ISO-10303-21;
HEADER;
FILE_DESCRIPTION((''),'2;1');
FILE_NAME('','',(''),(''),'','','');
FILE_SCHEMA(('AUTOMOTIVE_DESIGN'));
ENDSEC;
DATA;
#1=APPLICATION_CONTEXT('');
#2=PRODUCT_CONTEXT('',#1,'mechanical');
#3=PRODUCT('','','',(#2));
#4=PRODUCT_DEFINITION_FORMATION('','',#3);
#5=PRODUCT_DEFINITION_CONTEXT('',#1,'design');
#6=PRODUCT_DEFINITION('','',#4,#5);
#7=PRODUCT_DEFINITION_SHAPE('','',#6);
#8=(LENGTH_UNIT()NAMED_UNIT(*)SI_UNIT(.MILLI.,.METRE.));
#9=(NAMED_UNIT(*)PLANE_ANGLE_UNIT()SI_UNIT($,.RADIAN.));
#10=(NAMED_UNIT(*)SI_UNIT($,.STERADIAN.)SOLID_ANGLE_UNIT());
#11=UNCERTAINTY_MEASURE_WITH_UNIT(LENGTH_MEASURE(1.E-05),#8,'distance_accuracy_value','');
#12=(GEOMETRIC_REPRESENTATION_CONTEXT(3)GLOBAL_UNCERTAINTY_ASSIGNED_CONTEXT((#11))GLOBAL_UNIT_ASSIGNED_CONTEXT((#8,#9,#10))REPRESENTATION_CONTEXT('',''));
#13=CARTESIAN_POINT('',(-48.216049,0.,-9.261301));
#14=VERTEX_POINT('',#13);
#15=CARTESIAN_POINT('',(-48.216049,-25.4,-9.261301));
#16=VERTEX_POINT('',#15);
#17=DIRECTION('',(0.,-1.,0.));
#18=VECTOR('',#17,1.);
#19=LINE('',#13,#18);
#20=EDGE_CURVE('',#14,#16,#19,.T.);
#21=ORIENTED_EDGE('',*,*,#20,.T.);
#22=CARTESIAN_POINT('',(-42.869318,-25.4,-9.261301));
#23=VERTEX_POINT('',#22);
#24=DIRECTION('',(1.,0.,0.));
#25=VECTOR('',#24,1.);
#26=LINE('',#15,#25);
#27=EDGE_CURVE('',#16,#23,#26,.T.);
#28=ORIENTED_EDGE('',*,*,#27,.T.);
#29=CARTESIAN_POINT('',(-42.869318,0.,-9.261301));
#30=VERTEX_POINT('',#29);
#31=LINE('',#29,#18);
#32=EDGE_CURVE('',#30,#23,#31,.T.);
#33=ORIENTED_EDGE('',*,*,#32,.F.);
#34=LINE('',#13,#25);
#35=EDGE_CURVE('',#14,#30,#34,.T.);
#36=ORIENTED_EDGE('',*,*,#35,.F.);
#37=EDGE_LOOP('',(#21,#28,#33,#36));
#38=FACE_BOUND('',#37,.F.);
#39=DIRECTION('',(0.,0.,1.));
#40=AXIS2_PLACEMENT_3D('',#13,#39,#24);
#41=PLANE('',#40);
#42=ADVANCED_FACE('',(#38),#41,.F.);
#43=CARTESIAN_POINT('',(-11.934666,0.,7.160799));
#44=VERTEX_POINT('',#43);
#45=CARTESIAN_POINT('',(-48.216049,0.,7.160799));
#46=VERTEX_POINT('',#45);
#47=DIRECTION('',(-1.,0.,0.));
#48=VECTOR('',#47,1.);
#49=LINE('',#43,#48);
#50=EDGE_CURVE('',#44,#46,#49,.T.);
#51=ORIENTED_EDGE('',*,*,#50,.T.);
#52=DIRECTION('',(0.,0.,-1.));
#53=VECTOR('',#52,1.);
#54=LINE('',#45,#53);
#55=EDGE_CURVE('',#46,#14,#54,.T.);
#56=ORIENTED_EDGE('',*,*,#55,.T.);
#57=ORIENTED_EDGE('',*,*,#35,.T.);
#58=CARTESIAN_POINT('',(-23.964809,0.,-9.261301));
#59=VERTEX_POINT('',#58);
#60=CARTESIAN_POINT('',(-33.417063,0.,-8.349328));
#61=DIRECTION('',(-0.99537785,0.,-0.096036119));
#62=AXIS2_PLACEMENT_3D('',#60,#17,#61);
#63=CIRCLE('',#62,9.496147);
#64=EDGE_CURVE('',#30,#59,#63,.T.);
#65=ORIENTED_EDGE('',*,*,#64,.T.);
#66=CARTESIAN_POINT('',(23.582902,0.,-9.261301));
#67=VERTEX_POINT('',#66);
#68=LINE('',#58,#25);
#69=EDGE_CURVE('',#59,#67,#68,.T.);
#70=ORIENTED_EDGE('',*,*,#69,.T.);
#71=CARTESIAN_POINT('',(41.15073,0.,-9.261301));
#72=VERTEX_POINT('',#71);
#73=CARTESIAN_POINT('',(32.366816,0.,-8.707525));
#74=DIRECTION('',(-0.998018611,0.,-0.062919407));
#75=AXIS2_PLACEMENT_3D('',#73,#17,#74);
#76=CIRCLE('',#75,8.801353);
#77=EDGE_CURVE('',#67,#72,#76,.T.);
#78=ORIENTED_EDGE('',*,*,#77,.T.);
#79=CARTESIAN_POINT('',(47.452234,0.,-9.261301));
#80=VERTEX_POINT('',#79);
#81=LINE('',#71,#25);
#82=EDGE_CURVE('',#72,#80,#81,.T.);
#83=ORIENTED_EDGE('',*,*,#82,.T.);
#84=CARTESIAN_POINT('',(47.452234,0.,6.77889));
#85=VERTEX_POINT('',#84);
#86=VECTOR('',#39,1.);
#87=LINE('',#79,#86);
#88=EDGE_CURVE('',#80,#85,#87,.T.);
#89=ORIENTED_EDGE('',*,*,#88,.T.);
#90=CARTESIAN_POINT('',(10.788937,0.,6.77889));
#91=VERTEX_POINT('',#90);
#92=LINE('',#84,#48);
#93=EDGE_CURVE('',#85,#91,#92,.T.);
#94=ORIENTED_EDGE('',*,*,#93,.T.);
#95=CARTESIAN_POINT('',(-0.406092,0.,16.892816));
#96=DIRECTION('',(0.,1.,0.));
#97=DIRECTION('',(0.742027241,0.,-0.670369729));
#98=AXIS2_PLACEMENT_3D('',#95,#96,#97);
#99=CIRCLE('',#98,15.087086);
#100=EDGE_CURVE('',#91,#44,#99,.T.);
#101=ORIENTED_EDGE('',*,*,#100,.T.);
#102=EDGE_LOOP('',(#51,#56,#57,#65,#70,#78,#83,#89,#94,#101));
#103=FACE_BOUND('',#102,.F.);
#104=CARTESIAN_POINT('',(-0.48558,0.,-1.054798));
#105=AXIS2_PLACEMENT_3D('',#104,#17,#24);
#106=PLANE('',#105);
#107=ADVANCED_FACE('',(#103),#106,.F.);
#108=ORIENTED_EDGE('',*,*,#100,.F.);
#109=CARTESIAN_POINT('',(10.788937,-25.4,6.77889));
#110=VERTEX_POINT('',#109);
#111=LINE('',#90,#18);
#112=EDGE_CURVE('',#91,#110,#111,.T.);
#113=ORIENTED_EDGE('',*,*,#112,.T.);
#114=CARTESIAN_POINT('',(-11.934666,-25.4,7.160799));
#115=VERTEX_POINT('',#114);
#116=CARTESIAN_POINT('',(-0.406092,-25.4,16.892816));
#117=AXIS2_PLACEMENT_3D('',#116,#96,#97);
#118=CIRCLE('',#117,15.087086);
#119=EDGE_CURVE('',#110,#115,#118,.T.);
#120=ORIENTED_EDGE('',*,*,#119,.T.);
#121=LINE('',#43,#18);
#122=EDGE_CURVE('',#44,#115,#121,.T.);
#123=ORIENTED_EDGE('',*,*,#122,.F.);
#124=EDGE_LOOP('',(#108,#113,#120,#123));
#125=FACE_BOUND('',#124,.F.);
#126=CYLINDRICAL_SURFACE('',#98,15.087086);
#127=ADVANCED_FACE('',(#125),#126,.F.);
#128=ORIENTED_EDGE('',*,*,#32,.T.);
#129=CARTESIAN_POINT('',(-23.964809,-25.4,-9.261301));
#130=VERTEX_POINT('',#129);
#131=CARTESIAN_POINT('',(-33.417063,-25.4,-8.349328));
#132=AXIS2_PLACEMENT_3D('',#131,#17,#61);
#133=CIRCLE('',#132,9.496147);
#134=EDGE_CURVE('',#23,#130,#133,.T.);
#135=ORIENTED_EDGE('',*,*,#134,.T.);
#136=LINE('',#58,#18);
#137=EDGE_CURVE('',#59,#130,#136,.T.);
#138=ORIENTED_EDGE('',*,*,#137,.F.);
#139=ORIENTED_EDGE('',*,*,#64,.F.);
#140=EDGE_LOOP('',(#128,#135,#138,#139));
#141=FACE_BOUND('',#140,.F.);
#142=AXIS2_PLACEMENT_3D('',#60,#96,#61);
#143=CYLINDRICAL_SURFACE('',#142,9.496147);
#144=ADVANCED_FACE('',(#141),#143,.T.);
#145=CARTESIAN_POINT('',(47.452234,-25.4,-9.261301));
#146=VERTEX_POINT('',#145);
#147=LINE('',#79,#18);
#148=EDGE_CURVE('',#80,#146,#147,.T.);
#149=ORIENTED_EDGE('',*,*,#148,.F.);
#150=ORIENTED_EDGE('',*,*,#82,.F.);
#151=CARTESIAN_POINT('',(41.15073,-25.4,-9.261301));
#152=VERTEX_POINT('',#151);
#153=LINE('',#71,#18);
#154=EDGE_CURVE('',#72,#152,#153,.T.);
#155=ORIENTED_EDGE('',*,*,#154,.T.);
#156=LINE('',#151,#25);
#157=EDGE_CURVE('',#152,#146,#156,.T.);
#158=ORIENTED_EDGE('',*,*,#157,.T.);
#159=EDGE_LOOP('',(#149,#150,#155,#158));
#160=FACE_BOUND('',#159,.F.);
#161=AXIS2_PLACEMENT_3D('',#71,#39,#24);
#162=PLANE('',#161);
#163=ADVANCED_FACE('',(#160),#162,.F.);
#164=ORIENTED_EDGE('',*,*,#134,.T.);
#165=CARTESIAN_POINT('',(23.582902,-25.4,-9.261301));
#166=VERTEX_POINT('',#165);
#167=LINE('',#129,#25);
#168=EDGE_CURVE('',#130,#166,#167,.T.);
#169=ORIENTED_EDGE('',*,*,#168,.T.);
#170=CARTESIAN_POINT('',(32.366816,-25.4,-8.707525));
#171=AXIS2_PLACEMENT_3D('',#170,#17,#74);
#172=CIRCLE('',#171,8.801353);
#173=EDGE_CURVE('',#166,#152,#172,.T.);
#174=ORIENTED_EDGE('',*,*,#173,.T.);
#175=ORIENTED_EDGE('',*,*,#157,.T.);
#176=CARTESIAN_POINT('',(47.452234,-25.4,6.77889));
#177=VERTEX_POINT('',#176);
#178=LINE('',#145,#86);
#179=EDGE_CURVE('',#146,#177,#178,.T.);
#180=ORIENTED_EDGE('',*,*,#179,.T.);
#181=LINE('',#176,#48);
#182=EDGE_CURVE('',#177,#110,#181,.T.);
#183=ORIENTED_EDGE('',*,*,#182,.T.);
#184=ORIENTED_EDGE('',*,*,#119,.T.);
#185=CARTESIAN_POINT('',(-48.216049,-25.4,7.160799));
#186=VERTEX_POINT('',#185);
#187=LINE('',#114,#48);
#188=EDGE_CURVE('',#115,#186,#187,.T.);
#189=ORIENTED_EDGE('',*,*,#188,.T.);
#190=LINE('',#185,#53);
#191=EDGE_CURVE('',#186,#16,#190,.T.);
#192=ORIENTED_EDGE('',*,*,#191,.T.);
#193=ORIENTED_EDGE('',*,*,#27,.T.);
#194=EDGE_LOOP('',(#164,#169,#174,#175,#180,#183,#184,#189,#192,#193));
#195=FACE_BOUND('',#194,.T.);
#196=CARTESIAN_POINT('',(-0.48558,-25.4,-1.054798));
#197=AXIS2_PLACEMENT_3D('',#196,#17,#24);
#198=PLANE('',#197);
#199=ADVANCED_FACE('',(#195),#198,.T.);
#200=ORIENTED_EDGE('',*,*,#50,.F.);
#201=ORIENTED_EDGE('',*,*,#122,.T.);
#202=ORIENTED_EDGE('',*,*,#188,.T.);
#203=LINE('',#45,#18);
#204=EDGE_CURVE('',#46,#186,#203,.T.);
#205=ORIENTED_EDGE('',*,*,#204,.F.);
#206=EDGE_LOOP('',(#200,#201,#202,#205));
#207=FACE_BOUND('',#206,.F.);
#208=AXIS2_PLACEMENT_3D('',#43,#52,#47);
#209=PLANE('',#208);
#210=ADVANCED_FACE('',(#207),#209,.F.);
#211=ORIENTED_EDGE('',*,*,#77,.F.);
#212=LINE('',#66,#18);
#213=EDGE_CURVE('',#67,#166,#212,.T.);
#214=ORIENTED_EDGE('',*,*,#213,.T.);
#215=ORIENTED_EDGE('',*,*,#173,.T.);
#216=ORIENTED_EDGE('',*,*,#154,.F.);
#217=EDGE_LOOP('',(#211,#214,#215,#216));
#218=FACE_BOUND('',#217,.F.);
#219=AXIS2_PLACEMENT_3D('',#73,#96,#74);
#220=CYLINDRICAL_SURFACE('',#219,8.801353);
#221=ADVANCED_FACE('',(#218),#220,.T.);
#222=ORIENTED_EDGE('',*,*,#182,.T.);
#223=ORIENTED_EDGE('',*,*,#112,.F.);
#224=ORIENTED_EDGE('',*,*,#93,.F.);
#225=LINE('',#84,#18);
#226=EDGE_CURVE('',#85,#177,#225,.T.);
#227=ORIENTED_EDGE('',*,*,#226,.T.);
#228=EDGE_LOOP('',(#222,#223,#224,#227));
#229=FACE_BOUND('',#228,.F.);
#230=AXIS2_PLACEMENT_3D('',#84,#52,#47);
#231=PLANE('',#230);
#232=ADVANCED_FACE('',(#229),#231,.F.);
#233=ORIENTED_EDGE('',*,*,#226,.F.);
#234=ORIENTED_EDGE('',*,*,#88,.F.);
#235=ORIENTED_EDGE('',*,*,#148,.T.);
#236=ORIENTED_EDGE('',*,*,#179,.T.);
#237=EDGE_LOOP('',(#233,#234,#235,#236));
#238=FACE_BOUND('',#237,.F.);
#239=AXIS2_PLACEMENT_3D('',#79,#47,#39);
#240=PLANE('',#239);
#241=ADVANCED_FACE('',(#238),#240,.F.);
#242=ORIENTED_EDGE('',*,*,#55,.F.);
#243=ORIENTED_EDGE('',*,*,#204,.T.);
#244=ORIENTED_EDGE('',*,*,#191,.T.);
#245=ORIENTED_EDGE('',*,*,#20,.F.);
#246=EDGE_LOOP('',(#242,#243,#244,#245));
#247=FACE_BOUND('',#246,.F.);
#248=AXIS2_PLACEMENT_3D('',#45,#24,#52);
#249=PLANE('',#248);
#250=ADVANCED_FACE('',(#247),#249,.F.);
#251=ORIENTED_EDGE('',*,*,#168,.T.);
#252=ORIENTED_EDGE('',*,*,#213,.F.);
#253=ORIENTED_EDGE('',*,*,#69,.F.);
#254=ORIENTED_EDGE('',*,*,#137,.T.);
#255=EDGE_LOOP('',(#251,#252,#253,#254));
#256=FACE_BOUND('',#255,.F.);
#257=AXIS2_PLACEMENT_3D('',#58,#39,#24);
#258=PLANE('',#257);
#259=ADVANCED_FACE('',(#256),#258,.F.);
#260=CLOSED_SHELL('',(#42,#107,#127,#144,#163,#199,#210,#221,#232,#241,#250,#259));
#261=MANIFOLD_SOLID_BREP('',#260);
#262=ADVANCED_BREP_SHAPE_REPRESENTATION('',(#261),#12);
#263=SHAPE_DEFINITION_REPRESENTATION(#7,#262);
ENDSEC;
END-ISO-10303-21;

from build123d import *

# Parameters (mm, degrees)
F1_DEPTH = 25.4


with BuildPart() as f1:
    # F0 (on Front) → F1 (new body)
    with BuildSketch(Plane.XZ):
        with BuildLine():
            Line((47.452234, -9.261301), (47.452234, 6.77889))
            Line((47.452234, 6.77889), (16.51758, 6.77889))
            Line((16.51758, 6.77889), (10.788937, 6.77889))
            ThreePointArc((10.788937, 6.77889), (-0.65962, 1.80786), (-11.934666, 7.160799))
            Line((-11.934666, 7.160799), (-17.663306, 7.160799))
            Line((-17.663306, 7.160799), (-48.216049, 7.160799))
            Line((-48.216049, 7.160799), (-48.216049, -9.261301))
            Line((-48.216049, -9.261301), (-42.869318, -9.261301))
            ThreePointArc((-42.869318, -9.261301), (-33.417064, -4.032086), (-23.964809, -9.261301))
            Line((-23.964809, -9.261301), (23.582902, -9.261301))
            ThreePointArc((23.582902, -9.261301), (32.366816, -4.289359), (41.15073, -9.261301))
            Line((41.15073, -9.261301), (47.452234, -9.261301))
        make_face()
        with BuildLine():
            ThreePointArc((23.582902, -9.261301), (32.366816, -17.508878), (41.15073, -9.261301))
            ThreePointArc((41.15073, -9.261301), (32.366816, -4.289359), (23.582902, -9.261301))
        make_face()
        with BuildLine():
            ThreePointArc((-42.869318, -9.261301), (-33.417064, -17.845475), (-23.964809, -9.261301))
            ThreePointArc((-23.964809, -9.261301), (-33.417064, -4.032086), (-42.869318, -9.261301))
        make_face()
    extrude(amount=F1_DEPTH)


solid = f1.part
